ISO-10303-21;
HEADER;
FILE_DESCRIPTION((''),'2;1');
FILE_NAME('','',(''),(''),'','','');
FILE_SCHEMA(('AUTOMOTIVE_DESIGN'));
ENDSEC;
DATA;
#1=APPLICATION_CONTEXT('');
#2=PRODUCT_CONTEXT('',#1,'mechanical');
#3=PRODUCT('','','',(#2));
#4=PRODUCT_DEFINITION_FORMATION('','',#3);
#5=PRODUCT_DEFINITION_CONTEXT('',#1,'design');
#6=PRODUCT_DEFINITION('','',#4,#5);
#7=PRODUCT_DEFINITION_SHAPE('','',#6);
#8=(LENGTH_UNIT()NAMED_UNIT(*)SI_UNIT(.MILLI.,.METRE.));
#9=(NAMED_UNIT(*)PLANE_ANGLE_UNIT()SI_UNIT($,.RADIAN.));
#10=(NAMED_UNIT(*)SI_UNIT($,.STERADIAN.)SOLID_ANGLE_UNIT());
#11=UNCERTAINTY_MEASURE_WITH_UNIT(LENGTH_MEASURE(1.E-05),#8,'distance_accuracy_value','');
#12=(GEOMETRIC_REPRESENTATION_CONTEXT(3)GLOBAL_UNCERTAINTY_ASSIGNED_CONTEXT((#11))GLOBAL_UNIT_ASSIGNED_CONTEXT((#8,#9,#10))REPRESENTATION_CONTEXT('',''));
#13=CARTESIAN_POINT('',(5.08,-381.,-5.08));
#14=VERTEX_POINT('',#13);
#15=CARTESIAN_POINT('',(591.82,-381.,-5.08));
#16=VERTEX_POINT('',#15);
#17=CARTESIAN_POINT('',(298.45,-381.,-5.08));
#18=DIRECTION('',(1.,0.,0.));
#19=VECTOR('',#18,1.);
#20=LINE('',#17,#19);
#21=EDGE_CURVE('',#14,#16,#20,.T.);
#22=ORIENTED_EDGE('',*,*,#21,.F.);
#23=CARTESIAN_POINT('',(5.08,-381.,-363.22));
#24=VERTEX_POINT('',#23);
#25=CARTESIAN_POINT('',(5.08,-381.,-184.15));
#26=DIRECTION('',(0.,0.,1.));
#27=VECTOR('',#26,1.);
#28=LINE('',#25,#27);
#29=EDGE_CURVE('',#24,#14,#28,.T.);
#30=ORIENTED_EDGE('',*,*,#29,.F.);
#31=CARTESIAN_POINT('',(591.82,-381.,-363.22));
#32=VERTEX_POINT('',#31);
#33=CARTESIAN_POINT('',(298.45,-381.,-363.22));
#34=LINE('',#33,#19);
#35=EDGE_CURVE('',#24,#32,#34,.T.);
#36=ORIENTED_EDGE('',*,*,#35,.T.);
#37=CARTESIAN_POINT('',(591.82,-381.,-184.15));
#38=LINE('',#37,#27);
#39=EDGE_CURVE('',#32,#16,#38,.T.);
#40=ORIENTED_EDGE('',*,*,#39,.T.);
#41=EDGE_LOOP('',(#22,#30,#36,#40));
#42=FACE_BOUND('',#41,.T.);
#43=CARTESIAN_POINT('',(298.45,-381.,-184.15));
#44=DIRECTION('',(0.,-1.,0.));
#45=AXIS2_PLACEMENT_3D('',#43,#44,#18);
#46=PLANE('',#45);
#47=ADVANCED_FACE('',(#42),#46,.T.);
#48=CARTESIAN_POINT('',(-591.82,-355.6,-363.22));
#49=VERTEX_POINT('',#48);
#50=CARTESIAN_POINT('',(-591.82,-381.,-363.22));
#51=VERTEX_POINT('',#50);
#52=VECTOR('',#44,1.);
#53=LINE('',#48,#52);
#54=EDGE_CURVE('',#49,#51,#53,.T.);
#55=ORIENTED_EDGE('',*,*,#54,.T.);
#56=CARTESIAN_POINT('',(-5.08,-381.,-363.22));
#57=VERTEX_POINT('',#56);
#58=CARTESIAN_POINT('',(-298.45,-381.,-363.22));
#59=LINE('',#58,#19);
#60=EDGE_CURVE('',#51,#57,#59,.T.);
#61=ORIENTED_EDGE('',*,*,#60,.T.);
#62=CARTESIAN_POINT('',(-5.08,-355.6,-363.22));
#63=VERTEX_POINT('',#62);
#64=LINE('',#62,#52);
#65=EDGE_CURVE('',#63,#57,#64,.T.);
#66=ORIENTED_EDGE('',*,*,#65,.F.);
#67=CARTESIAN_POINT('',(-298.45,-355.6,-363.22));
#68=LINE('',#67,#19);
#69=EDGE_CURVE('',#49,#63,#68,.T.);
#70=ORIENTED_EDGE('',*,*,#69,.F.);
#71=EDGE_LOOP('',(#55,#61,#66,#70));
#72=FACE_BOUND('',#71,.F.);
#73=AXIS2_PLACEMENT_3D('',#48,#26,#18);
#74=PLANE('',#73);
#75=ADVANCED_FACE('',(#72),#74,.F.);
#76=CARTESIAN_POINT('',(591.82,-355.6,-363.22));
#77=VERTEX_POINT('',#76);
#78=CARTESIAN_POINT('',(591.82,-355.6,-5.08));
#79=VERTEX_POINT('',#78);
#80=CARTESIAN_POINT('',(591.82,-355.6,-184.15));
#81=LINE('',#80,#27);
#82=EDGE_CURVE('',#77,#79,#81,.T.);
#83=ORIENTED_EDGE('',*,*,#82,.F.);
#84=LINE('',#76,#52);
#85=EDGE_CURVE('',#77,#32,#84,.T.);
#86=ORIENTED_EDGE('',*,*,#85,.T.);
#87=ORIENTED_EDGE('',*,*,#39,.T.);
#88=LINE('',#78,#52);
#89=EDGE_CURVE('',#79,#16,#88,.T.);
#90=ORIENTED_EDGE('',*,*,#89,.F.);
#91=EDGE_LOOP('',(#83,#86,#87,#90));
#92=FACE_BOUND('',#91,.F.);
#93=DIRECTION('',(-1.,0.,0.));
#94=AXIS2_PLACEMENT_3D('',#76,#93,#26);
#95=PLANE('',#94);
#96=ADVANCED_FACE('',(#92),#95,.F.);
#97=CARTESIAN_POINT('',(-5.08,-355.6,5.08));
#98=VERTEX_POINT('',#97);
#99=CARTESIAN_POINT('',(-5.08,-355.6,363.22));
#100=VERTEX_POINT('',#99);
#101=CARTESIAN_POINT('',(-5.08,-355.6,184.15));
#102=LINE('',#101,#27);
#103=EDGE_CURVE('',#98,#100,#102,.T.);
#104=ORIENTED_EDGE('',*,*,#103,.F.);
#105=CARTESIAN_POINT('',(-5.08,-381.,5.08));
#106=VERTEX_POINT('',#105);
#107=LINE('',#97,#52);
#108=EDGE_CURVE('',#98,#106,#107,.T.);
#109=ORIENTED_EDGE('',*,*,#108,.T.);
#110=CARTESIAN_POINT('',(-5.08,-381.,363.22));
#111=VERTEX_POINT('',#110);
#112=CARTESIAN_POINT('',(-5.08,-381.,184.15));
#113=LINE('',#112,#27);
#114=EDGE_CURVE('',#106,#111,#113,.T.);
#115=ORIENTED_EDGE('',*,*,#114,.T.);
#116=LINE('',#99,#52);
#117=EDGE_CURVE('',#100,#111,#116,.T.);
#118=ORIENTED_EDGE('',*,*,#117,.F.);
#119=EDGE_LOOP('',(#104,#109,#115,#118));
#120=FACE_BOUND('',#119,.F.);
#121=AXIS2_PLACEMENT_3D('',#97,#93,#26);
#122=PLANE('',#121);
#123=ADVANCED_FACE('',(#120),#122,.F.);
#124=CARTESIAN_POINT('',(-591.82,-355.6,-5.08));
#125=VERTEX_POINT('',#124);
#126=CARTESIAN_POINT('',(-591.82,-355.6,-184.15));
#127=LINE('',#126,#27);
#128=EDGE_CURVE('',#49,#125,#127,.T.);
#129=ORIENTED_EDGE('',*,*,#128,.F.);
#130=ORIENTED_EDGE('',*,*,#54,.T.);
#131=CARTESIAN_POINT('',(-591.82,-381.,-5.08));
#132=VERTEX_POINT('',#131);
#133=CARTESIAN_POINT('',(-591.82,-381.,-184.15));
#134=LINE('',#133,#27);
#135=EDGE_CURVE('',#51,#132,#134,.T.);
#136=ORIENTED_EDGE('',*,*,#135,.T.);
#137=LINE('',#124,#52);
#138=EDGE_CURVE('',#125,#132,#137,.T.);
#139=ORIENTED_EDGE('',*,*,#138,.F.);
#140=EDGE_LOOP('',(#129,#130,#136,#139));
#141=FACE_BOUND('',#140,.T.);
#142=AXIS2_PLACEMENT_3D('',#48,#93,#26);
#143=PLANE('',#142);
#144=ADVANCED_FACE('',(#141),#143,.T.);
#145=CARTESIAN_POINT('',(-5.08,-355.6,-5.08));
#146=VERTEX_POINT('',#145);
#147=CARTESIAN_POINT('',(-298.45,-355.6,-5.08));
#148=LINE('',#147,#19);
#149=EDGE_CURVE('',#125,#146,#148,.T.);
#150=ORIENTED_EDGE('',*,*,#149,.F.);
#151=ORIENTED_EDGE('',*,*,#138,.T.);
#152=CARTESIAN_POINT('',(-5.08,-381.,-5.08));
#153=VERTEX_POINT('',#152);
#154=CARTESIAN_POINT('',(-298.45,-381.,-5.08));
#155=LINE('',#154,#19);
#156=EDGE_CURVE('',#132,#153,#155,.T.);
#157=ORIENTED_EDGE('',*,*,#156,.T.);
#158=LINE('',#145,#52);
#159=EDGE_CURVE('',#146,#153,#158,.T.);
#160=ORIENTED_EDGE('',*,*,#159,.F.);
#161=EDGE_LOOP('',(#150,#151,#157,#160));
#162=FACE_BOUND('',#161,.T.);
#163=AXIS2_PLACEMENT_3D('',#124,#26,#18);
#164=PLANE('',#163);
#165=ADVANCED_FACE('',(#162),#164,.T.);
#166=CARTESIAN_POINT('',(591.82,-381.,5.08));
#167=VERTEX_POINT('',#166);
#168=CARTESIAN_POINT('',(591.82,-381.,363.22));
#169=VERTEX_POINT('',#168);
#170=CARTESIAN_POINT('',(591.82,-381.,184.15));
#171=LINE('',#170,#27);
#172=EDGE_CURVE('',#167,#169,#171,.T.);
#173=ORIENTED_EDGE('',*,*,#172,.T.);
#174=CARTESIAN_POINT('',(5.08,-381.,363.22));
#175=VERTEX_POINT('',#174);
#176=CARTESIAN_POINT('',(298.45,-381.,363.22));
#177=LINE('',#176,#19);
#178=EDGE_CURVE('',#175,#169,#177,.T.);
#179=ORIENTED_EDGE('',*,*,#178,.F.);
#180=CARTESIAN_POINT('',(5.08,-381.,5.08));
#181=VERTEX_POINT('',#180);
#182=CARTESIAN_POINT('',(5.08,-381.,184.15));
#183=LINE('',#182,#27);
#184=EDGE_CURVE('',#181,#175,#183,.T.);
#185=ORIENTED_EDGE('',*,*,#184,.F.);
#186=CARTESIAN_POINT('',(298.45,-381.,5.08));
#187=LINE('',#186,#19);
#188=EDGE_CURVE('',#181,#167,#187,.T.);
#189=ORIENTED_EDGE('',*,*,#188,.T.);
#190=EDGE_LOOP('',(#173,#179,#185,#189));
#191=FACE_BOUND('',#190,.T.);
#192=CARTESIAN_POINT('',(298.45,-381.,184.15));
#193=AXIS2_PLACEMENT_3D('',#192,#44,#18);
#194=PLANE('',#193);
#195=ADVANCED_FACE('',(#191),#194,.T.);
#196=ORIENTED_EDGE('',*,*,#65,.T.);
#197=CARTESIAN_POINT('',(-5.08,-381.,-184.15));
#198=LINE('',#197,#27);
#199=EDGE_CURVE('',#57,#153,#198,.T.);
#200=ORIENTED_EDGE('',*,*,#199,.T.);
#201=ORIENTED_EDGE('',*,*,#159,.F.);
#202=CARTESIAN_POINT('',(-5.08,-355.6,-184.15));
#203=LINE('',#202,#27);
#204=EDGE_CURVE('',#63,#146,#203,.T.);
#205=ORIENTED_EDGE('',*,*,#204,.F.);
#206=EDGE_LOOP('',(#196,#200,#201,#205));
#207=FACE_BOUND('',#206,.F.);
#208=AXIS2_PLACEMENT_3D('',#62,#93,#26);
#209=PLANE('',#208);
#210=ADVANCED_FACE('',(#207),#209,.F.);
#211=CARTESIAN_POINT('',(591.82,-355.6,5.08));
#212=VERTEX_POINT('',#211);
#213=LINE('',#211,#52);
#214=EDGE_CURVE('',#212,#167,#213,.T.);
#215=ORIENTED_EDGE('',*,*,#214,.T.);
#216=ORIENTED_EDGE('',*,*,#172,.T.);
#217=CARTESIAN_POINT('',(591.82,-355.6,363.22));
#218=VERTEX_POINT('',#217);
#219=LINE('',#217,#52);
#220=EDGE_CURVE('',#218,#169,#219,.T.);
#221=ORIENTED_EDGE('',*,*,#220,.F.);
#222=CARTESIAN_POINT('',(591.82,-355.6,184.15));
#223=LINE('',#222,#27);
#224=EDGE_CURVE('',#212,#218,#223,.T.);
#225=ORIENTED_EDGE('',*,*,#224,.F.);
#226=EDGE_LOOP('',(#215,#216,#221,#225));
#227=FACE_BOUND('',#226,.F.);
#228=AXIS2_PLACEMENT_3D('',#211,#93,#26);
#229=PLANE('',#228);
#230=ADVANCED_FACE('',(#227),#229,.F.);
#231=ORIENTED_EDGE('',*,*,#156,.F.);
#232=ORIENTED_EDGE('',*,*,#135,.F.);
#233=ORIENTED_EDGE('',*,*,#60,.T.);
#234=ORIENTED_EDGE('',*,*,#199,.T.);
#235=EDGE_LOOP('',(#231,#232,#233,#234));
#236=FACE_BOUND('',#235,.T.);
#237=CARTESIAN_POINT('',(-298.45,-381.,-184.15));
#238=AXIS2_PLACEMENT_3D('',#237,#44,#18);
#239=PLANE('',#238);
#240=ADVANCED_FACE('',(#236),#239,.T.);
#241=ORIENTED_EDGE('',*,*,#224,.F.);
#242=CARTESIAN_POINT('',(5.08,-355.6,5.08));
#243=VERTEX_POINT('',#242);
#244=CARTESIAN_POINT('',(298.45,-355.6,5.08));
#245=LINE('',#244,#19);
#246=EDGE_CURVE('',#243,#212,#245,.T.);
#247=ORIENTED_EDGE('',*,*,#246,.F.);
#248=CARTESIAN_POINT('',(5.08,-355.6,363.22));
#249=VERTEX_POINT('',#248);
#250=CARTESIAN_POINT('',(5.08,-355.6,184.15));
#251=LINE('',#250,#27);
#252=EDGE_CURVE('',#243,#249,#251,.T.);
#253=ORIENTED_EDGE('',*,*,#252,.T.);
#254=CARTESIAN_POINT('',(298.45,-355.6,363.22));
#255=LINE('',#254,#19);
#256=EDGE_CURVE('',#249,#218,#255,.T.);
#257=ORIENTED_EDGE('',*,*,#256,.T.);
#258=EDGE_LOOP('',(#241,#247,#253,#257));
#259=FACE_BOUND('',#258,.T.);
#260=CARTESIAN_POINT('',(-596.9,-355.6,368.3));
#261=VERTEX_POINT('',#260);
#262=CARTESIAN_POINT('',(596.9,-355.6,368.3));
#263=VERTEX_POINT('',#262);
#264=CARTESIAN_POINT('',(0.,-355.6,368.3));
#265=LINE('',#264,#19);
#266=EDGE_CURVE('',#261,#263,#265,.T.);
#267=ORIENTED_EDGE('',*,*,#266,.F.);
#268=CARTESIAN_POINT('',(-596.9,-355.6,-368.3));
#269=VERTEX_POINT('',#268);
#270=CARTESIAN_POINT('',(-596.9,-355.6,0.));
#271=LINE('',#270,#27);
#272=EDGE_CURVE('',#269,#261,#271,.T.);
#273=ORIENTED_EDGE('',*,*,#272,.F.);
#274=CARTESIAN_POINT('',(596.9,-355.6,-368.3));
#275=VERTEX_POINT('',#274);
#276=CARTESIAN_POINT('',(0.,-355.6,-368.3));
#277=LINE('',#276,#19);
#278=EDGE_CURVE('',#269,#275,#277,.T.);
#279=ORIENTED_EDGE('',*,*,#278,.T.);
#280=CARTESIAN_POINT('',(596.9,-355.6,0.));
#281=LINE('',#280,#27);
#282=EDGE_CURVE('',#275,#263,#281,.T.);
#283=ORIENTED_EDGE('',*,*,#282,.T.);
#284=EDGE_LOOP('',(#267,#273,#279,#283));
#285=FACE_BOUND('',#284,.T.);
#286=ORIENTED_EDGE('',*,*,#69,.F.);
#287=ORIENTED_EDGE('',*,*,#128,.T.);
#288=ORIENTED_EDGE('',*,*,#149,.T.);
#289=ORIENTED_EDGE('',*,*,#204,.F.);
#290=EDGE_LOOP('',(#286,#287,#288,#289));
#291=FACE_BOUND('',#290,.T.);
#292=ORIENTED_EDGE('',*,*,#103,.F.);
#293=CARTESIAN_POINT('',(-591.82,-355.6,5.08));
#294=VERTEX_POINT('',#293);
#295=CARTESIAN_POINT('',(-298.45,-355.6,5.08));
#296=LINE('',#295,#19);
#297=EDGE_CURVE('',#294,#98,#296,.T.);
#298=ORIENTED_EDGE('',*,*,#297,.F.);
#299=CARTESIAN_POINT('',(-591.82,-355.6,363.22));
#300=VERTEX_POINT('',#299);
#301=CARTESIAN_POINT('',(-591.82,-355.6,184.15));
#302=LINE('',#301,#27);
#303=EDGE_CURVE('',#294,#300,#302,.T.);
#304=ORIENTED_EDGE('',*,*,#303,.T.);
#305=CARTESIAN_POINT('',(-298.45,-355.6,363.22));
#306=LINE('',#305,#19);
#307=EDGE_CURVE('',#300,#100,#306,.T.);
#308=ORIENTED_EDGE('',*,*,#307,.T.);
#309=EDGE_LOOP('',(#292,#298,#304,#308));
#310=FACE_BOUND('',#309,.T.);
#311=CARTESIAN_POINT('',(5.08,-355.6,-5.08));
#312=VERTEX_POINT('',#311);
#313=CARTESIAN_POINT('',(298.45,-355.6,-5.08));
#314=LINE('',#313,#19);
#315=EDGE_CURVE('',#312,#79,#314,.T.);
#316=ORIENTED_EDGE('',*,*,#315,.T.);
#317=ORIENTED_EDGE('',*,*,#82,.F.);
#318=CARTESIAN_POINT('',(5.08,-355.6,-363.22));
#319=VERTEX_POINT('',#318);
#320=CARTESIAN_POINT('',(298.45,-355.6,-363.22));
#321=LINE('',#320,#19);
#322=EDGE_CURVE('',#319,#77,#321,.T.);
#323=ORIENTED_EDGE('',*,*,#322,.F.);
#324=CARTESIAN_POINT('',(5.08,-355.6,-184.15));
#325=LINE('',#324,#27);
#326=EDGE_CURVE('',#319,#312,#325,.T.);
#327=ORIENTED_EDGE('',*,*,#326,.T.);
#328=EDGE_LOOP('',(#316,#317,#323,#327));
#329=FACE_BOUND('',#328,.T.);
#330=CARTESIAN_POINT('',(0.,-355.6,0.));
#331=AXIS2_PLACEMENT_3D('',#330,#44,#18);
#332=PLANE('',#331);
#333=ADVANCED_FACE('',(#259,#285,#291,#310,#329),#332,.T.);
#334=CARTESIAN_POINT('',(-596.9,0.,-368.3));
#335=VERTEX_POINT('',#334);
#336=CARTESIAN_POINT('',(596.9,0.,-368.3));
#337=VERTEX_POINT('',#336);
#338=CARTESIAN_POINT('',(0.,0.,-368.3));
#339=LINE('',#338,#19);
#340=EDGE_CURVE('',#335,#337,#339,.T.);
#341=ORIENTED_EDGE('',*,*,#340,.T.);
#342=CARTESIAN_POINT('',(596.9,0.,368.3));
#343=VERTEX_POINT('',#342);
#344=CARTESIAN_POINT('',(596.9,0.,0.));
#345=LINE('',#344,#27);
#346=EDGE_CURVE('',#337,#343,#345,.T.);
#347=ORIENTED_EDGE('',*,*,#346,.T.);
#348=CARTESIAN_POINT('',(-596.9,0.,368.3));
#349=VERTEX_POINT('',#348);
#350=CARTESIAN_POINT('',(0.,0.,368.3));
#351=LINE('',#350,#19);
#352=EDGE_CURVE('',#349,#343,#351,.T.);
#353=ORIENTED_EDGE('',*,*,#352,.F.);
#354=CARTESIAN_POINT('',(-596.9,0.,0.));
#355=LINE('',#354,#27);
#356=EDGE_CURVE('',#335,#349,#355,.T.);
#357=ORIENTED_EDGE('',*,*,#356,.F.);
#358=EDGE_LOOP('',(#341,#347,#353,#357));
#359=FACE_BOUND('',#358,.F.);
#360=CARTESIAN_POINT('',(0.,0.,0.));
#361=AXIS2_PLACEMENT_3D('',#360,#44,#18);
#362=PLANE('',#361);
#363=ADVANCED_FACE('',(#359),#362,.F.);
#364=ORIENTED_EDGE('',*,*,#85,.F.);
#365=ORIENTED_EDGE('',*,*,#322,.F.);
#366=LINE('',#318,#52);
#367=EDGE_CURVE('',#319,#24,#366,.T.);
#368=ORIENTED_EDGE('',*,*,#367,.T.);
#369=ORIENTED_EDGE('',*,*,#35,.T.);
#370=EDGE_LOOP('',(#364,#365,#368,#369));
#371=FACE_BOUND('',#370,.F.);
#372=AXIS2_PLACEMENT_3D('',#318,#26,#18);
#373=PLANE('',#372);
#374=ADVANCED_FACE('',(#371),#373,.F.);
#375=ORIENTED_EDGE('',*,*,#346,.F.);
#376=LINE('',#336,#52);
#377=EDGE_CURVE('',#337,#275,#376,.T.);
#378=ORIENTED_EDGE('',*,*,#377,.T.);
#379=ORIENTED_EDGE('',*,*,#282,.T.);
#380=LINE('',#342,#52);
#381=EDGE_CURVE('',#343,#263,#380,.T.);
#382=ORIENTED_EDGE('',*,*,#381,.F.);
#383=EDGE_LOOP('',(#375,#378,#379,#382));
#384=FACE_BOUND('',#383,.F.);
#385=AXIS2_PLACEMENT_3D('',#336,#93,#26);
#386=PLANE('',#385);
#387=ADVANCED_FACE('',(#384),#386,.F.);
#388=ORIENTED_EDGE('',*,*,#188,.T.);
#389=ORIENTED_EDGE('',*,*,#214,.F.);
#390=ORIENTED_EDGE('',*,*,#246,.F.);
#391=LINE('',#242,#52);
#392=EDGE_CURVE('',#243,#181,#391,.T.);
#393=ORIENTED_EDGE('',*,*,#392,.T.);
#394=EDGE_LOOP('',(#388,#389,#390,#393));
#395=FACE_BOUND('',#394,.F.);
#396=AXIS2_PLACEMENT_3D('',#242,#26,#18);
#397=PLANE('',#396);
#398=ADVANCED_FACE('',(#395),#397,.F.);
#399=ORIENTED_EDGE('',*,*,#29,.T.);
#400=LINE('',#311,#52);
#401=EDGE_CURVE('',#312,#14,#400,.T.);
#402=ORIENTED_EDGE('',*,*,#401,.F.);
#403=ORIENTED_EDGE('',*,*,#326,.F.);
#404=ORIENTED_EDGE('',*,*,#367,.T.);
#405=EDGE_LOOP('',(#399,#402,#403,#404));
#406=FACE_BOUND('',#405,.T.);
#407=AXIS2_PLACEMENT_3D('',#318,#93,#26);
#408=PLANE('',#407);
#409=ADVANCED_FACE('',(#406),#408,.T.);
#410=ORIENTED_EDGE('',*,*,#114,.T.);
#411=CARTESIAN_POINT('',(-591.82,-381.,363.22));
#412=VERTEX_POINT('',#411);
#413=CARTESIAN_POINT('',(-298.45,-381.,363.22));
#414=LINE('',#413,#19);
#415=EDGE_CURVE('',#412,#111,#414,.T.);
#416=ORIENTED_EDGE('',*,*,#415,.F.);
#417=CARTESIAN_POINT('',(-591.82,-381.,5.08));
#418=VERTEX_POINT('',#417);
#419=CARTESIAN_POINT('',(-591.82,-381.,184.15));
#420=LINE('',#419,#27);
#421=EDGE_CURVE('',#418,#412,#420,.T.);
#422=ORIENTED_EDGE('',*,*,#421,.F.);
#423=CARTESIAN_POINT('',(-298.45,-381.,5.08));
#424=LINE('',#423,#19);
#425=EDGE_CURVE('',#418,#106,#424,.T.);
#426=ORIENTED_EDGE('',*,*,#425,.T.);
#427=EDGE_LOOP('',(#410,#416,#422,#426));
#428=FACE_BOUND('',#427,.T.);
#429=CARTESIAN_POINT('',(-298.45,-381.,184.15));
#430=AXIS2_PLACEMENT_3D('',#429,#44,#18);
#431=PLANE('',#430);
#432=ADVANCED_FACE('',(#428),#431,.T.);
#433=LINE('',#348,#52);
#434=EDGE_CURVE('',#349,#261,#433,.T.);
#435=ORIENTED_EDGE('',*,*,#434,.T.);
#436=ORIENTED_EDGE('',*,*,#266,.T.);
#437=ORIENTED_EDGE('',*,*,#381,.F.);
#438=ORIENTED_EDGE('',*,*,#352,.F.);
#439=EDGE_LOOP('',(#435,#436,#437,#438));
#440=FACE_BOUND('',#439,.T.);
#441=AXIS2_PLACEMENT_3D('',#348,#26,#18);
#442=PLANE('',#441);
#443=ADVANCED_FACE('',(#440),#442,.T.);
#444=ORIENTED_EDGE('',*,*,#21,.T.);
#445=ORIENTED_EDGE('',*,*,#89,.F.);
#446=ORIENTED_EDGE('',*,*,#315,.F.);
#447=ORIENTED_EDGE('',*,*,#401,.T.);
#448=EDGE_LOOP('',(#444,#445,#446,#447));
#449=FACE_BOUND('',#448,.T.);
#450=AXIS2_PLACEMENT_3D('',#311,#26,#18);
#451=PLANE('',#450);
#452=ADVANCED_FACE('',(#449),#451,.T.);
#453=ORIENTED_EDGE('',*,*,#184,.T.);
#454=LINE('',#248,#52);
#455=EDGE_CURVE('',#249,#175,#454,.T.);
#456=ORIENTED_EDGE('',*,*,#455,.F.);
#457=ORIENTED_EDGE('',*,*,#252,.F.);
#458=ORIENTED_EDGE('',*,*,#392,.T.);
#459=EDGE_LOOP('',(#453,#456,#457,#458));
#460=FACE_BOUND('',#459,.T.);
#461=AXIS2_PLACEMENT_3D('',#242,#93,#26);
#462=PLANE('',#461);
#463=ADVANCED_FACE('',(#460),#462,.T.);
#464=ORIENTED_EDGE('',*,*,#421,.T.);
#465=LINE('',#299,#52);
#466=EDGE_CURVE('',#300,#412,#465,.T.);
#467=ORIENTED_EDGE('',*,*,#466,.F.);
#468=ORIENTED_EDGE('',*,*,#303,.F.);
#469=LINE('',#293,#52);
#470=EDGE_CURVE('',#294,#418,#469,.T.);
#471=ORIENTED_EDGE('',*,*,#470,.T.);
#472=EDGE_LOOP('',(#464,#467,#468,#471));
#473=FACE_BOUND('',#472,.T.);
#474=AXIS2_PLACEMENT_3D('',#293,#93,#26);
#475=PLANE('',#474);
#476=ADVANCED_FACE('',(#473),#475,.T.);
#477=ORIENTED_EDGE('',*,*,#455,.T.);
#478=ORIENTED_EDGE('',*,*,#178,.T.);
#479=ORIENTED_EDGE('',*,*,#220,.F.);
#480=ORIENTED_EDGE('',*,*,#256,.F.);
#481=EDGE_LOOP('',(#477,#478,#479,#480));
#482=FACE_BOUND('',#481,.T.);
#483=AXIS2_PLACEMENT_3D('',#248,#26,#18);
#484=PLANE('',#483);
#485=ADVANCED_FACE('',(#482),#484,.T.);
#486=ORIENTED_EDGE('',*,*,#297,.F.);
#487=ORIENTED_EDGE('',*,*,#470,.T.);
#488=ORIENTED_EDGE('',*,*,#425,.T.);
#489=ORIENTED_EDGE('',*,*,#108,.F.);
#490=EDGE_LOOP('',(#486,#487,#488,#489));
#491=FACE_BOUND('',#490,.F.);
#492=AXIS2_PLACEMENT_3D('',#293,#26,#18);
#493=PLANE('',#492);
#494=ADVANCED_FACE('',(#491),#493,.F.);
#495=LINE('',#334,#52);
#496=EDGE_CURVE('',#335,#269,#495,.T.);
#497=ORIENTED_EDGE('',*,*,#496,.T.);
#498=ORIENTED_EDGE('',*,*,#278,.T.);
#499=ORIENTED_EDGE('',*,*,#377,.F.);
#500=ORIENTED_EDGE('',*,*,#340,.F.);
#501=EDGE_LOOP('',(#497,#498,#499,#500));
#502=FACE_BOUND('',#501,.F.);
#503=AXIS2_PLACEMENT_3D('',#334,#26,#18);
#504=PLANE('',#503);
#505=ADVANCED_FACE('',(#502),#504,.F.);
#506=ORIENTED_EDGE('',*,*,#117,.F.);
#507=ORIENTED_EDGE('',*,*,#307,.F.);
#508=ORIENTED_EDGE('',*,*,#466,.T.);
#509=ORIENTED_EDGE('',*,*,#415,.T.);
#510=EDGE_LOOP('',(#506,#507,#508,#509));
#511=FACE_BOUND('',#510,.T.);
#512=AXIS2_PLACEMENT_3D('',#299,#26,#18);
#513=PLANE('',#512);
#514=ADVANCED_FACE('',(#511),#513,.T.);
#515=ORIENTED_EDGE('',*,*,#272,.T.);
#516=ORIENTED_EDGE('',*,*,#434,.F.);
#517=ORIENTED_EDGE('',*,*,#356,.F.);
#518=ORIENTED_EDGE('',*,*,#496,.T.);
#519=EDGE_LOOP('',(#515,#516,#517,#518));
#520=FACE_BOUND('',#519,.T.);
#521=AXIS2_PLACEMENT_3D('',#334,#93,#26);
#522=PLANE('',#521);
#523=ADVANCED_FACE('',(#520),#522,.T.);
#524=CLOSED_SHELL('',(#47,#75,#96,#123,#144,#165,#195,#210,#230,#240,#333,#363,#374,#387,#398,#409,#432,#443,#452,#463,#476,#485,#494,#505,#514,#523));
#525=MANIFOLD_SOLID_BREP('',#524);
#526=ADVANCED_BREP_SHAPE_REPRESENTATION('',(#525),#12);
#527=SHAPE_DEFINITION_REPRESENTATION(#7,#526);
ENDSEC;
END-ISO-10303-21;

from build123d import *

# Parameters (mm, degrees)
F0_W     = 1193.8
F0_H     = 736.6
F1_DEPTH = 355.6
F2_W     = 586.74
F2_H     = 358.14
F3_DEPTH = 25.4


with BuildPart() as f1:
    # F0 (on Front) → F1 (new body)
    with BuildSketch(Plane.XZ):
        Rectangle(F0_W, F0_H)
    extrude(amount=F1_DEPTH)

    # F2 (on face) → F3 (join)
    with BuildSketch(Plane.XZ.offset(355.6)):
        with Locations((298.45, 184.15)):
            Rectangle(F2_W, F2_H)
        with Locations((298.45, -184.15)):
            Rectangle(F2_W, F2_H)
        with Locations((-298.45, -184.15)):
            Rectangle(F2_W, F2_H)
        with Locations((-298.45, 184.15)):
            Rectangle(F2_W, F2_H)
    extrude(amount=F3_DEPTH)


solid = f1.part
